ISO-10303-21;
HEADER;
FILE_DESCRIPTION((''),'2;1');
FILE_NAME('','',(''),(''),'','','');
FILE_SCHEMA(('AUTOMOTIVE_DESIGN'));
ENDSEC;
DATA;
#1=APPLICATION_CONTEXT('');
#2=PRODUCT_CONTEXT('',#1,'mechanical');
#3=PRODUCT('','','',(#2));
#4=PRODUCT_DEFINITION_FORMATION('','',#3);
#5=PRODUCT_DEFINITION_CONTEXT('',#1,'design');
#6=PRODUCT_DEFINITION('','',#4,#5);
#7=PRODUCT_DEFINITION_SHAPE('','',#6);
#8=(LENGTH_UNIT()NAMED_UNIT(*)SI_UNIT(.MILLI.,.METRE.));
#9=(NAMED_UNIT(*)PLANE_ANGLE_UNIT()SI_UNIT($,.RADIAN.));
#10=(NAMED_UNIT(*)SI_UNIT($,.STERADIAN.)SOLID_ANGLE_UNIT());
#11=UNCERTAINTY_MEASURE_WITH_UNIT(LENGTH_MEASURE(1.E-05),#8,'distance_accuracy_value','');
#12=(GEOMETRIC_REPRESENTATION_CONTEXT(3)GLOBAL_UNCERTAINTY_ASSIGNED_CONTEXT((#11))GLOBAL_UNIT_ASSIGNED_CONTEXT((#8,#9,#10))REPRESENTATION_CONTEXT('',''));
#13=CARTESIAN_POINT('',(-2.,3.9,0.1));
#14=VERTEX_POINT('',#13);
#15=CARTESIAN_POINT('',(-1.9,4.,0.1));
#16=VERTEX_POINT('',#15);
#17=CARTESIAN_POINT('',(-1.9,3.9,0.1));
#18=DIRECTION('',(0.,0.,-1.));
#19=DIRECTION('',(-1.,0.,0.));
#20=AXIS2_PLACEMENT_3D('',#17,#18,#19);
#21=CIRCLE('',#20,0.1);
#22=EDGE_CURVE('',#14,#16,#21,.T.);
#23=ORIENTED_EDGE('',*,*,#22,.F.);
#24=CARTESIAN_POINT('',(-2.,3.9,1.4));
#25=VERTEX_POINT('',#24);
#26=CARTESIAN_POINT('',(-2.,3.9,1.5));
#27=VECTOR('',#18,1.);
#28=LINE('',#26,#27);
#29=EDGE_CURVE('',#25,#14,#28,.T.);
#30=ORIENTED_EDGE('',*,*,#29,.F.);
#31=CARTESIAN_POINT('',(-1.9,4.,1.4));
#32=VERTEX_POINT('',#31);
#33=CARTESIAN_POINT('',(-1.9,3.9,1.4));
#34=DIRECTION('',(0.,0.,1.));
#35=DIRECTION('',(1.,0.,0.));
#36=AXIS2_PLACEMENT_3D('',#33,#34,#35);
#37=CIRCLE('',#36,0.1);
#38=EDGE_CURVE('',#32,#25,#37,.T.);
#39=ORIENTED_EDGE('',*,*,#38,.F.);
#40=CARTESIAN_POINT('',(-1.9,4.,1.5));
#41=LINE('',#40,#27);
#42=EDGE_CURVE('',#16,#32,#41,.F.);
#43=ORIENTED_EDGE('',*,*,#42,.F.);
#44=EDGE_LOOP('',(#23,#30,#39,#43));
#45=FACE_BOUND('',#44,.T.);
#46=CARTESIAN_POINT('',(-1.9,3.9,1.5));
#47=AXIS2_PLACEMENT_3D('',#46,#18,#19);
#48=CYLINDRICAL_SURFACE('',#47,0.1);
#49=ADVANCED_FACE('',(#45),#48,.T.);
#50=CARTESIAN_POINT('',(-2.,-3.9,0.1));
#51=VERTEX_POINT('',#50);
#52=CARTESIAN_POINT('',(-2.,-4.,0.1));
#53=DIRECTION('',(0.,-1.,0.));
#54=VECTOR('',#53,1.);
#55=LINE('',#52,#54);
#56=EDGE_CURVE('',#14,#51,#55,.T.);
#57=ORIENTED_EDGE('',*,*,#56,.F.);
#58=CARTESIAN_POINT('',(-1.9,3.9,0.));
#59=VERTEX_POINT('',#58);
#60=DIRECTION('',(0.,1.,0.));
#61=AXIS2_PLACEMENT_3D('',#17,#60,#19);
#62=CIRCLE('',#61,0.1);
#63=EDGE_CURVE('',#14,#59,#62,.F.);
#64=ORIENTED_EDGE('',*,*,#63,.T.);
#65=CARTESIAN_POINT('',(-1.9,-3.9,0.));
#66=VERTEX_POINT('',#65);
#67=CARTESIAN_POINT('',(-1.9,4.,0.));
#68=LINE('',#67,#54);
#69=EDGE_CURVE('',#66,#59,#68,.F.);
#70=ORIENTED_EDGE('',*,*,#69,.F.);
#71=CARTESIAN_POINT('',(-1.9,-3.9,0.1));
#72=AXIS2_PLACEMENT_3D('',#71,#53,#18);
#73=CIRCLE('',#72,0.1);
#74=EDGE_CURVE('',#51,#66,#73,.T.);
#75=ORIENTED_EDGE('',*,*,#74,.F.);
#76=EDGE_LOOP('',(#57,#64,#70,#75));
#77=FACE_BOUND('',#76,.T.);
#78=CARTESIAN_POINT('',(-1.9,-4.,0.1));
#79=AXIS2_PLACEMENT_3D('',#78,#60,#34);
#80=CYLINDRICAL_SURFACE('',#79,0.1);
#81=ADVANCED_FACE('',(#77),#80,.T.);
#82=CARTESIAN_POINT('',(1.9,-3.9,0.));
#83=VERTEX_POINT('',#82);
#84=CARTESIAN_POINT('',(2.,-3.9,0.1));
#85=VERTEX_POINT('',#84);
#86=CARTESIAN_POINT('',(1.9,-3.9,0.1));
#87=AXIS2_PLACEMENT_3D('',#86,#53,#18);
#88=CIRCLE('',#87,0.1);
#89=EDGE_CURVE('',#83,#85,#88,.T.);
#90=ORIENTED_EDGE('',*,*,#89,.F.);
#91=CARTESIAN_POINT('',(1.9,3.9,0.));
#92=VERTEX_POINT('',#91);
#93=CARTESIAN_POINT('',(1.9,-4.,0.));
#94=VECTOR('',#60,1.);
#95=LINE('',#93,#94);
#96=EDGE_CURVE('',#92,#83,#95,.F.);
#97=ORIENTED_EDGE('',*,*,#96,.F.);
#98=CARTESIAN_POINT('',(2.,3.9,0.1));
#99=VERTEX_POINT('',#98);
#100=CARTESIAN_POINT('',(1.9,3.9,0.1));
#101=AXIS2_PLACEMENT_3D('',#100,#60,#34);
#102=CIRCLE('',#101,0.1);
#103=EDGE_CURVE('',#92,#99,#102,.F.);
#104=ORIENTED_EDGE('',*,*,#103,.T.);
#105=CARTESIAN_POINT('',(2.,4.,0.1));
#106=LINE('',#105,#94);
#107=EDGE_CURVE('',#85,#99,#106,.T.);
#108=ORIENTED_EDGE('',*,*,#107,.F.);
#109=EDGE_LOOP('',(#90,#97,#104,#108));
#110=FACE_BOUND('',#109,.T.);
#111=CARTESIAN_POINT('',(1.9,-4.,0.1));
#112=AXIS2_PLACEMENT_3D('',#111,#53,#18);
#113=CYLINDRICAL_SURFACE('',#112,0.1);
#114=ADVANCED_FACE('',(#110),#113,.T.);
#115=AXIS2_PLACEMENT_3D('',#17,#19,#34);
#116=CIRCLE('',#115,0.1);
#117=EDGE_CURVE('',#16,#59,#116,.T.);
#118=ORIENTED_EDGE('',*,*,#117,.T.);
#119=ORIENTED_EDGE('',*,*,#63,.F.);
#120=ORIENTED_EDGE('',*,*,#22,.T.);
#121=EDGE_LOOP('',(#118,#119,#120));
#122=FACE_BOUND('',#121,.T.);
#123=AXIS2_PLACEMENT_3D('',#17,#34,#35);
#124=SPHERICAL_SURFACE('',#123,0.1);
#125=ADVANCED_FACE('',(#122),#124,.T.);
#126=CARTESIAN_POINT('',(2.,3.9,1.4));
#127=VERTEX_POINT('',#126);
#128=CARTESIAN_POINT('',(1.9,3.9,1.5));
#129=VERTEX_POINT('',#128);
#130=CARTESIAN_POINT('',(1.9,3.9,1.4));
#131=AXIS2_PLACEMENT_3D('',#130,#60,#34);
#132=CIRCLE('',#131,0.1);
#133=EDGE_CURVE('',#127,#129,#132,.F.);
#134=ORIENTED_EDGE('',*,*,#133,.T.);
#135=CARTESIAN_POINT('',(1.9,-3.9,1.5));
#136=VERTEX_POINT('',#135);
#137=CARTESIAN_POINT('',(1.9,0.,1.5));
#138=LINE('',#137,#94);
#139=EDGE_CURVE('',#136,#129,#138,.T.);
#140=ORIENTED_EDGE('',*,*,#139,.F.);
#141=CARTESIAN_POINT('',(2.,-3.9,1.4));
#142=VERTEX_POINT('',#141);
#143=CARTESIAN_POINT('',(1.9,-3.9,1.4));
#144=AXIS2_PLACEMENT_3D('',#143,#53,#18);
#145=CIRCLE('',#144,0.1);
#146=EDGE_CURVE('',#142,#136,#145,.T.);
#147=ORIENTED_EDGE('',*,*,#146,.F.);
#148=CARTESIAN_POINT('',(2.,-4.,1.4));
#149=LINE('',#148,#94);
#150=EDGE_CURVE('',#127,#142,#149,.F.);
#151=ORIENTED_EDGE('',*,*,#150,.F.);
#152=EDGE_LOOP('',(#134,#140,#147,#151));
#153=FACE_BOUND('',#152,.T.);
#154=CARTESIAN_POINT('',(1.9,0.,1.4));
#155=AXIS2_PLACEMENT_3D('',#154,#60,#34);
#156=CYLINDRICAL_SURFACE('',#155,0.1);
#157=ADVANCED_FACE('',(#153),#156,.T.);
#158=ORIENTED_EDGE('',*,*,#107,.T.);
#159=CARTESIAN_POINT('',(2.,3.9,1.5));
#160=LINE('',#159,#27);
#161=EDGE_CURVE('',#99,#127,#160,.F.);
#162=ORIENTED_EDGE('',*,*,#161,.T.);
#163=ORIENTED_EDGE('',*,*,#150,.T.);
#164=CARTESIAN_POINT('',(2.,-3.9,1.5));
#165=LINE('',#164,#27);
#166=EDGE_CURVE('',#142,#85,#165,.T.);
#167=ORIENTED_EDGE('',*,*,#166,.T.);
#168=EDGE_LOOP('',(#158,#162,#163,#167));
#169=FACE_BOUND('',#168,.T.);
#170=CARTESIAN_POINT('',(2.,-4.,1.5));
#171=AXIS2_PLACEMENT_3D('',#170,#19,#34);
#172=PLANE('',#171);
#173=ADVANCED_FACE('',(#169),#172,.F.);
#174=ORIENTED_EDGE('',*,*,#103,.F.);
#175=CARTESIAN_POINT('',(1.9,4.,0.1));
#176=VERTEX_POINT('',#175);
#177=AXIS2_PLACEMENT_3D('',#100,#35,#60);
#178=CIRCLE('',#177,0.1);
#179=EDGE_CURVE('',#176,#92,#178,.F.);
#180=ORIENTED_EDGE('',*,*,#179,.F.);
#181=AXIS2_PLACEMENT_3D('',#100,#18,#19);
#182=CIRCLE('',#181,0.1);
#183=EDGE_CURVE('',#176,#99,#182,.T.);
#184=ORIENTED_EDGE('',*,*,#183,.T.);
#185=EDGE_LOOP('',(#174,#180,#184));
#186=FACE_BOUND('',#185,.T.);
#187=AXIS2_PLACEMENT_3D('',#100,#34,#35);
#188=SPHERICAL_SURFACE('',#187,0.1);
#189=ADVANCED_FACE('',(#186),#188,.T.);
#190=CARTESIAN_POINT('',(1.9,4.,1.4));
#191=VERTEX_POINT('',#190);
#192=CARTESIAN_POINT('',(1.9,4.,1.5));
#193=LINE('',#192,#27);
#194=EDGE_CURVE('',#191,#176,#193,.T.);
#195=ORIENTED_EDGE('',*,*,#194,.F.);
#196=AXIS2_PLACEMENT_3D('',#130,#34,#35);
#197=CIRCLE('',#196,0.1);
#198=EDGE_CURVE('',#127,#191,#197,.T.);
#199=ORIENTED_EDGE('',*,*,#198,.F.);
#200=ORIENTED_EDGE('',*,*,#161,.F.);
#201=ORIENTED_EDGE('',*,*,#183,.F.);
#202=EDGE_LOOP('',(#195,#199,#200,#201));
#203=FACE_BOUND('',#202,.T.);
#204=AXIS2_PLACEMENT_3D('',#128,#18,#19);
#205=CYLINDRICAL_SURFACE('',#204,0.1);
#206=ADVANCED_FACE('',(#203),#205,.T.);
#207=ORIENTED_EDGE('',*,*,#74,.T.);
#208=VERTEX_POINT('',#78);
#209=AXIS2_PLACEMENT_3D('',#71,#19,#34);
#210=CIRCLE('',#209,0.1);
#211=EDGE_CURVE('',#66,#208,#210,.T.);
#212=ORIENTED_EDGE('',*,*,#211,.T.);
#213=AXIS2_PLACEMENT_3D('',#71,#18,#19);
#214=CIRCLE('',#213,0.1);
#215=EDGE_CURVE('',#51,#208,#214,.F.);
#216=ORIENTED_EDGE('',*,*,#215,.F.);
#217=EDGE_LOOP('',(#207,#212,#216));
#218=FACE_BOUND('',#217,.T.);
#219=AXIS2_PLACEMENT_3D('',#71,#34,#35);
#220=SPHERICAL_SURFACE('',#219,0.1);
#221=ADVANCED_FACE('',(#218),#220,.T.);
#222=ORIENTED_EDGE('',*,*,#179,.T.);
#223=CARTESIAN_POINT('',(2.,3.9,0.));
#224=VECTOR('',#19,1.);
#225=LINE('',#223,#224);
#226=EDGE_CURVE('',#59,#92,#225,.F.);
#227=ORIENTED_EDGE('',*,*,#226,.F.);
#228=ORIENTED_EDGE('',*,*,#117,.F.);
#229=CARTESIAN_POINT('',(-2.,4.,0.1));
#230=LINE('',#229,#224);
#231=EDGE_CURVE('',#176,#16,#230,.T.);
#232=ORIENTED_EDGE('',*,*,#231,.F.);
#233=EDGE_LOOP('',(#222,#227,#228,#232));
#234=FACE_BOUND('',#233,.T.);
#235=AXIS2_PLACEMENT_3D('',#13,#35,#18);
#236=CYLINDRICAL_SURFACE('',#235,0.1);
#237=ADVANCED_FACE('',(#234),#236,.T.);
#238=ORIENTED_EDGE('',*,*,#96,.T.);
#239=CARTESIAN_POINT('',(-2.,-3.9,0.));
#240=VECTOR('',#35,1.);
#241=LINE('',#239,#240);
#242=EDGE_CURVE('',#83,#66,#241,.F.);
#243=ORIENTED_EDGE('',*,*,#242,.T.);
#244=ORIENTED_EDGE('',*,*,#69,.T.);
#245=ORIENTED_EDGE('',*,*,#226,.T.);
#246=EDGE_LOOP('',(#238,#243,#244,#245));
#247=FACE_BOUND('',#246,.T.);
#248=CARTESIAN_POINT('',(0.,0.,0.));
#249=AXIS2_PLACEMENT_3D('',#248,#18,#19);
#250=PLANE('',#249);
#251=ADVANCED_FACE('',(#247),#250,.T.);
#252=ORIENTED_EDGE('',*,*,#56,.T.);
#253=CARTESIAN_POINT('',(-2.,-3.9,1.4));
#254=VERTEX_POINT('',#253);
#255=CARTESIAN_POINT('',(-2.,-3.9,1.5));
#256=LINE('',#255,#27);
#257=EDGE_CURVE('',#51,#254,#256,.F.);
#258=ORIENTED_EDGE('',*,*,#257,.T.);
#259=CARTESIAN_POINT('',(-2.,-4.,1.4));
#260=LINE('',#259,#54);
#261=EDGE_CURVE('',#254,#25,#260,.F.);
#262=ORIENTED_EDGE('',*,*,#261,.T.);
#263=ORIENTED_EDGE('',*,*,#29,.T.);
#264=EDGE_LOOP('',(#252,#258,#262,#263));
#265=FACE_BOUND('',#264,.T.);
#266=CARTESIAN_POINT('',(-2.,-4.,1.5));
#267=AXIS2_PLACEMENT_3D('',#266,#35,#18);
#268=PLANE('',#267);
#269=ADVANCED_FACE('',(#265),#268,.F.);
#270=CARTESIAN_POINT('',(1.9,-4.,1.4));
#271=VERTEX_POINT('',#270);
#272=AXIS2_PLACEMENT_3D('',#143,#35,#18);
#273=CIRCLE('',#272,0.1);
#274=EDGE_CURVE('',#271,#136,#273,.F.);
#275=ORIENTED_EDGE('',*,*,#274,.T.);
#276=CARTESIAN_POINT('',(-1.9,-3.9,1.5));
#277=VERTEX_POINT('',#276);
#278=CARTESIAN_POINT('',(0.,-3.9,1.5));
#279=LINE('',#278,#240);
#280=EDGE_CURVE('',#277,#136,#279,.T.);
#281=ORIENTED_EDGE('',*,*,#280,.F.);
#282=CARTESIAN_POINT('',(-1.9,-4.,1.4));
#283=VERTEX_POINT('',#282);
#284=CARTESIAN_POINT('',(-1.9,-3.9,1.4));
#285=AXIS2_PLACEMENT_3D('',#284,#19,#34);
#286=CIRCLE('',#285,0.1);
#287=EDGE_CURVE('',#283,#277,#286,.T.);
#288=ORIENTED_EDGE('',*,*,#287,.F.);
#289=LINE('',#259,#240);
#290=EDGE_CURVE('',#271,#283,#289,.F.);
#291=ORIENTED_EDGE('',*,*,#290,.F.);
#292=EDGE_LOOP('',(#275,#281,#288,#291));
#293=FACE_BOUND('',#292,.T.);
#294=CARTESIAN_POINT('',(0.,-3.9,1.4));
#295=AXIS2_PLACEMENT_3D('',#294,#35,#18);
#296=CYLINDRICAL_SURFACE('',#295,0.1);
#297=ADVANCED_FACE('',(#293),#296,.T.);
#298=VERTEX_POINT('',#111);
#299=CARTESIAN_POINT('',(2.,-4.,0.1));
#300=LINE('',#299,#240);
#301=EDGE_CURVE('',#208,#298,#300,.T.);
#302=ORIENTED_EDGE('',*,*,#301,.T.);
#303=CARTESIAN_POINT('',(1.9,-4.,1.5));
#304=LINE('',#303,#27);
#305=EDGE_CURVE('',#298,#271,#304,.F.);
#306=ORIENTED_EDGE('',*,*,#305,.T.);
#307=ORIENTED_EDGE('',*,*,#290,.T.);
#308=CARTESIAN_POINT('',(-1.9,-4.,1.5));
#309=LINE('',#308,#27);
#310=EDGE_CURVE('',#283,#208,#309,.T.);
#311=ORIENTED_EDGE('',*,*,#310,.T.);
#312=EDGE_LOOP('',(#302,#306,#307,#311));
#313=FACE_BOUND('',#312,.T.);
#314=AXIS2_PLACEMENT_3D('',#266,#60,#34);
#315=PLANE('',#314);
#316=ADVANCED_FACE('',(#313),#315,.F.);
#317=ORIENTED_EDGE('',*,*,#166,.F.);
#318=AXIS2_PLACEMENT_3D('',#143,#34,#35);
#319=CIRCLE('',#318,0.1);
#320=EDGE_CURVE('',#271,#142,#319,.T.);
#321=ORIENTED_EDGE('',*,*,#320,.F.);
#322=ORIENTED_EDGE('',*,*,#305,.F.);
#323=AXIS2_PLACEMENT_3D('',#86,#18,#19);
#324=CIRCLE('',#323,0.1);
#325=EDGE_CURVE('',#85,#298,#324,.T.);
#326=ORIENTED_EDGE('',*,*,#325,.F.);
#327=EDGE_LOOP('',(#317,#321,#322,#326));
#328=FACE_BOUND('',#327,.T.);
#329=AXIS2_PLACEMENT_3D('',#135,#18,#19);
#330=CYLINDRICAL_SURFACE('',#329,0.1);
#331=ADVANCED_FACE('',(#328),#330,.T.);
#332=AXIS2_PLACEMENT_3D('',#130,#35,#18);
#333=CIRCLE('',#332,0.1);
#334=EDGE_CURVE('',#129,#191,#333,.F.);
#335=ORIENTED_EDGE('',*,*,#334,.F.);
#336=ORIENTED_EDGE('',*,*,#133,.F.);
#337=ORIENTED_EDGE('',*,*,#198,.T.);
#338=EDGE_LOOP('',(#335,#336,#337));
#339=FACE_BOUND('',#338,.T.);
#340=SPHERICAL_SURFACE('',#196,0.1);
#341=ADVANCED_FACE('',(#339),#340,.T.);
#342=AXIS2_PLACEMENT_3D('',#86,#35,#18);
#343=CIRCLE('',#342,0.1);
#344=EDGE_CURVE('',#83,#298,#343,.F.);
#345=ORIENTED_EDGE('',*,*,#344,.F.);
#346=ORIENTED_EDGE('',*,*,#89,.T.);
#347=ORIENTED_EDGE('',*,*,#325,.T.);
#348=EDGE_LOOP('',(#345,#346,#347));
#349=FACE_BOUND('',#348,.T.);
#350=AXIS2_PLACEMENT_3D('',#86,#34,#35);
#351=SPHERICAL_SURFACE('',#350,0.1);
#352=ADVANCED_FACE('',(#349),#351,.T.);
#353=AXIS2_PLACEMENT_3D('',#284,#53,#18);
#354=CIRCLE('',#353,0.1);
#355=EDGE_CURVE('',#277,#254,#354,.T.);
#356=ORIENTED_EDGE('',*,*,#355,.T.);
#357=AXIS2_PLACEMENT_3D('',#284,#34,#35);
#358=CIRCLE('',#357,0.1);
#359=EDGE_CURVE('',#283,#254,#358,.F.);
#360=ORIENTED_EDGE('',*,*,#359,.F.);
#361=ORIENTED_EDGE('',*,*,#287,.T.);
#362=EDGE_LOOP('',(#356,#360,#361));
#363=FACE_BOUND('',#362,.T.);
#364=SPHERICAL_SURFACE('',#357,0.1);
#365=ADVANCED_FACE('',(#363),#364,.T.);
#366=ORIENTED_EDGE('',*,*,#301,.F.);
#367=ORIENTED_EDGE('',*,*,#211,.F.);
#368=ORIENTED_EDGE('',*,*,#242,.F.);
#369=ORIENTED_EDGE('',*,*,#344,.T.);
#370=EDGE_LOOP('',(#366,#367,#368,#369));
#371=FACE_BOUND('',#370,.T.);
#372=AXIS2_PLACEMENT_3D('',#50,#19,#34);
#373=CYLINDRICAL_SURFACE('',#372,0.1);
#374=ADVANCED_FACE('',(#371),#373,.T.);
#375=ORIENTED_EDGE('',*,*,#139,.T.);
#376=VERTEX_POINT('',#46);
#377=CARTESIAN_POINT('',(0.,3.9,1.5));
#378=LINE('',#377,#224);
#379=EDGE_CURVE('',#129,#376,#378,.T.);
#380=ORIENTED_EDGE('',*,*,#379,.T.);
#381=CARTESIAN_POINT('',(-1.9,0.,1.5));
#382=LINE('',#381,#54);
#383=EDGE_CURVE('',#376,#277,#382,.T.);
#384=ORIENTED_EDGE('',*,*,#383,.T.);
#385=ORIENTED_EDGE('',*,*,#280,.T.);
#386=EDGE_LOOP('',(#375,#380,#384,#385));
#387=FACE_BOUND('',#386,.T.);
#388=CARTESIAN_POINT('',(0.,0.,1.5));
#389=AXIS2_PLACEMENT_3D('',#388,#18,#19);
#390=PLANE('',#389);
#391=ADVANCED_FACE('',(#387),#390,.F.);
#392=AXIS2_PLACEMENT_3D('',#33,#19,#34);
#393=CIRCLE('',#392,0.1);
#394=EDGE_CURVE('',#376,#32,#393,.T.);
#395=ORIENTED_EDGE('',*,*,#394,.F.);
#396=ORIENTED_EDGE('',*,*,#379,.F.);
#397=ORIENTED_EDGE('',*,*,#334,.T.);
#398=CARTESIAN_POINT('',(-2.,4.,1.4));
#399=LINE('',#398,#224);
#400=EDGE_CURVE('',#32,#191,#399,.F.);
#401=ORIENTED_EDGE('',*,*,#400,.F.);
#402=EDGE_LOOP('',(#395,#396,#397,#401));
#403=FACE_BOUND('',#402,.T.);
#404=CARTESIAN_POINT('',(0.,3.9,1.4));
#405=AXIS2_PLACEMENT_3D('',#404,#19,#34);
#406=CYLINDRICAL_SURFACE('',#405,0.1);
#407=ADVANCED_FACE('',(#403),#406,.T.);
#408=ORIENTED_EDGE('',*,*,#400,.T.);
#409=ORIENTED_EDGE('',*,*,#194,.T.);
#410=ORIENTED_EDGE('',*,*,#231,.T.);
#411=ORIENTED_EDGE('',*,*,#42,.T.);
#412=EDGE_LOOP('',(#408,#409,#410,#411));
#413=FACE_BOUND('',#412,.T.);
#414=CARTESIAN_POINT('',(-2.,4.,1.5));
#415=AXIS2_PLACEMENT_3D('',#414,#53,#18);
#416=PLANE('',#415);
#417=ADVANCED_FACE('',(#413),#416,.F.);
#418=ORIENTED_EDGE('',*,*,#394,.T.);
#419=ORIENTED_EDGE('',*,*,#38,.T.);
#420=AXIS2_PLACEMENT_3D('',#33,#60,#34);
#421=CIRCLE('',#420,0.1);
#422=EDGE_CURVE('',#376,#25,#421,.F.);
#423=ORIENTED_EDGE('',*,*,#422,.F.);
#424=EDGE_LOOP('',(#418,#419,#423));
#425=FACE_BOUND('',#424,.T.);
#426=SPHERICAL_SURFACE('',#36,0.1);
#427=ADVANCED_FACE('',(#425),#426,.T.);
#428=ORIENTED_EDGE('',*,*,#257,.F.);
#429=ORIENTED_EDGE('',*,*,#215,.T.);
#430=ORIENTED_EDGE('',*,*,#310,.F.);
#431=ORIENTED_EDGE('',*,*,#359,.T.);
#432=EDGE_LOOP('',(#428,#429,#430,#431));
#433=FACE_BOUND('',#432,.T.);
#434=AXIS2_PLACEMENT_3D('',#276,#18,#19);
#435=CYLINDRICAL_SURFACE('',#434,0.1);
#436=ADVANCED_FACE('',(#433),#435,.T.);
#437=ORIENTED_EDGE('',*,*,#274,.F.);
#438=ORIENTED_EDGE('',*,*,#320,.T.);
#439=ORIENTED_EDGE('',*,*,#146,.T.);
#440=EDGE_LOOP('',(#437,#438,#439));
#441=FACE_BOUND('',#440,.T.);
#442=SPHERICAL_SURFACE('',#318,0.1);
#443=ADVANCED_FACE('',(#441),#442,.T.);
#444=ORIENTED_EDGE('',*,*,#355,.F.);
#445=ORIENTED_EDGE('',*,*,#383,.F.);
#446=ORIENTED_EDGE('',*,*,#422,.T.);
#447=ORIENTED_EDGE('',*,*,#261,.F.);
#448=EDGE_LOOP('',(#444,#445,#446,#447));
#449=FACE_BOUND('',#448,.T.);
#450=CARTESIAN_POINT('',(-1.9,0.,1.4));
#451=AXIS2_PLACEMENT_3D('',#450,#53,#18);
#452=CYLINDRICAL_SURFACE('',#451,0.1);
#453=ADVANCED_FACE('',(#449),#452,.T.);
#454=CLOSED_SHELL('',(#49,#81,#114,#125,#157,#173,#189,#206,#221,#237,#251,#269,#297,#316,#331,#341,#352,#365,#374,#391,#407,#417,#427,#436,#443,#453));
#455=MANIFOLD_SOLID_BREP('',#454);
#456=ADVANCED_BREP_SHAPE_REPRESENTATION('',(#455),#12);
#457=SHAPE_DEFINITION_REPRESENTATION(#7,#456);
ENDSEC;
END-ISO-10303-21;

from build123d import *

# Parameters (mm, degrees)
SKETCH1_W           = 4
SKETCH1_H           = 8
BOSS_EXTRUDE1_DEPTH = 1.5
FILLET1_R           = 0.1


with BuildPart() as part:
    # Sketch1 → Boss-Extrude1 (new body)
    with BuildSketch(Plane.XY):
        Rectangle(SKETCH1_W, SKETCH1_H)
    extrude(amount=BOSS_EXTRUDE1_DEPTH)

    # Fillet1
    fillet1_edges = [part.edges().sort_by_distance(p)[0] for p in [
        (-2, 0, 1.5),
        (0, -4, 1.5),
        (2, 0, 1.5),
        (0, -4, 0),
        (-2, 0, 0),
        (0, 4, 0),
        (2, 0, 0),
        (0, 4, 1.5),
        (2, -4, 0.75),
        (-2, -4, 0.75),
        (-2, 4, 0.75),
        (2, 4, 0.75),
    ]]
    fillet(fillet1_edges, radius=FILLET1_R)


solid = part.part
